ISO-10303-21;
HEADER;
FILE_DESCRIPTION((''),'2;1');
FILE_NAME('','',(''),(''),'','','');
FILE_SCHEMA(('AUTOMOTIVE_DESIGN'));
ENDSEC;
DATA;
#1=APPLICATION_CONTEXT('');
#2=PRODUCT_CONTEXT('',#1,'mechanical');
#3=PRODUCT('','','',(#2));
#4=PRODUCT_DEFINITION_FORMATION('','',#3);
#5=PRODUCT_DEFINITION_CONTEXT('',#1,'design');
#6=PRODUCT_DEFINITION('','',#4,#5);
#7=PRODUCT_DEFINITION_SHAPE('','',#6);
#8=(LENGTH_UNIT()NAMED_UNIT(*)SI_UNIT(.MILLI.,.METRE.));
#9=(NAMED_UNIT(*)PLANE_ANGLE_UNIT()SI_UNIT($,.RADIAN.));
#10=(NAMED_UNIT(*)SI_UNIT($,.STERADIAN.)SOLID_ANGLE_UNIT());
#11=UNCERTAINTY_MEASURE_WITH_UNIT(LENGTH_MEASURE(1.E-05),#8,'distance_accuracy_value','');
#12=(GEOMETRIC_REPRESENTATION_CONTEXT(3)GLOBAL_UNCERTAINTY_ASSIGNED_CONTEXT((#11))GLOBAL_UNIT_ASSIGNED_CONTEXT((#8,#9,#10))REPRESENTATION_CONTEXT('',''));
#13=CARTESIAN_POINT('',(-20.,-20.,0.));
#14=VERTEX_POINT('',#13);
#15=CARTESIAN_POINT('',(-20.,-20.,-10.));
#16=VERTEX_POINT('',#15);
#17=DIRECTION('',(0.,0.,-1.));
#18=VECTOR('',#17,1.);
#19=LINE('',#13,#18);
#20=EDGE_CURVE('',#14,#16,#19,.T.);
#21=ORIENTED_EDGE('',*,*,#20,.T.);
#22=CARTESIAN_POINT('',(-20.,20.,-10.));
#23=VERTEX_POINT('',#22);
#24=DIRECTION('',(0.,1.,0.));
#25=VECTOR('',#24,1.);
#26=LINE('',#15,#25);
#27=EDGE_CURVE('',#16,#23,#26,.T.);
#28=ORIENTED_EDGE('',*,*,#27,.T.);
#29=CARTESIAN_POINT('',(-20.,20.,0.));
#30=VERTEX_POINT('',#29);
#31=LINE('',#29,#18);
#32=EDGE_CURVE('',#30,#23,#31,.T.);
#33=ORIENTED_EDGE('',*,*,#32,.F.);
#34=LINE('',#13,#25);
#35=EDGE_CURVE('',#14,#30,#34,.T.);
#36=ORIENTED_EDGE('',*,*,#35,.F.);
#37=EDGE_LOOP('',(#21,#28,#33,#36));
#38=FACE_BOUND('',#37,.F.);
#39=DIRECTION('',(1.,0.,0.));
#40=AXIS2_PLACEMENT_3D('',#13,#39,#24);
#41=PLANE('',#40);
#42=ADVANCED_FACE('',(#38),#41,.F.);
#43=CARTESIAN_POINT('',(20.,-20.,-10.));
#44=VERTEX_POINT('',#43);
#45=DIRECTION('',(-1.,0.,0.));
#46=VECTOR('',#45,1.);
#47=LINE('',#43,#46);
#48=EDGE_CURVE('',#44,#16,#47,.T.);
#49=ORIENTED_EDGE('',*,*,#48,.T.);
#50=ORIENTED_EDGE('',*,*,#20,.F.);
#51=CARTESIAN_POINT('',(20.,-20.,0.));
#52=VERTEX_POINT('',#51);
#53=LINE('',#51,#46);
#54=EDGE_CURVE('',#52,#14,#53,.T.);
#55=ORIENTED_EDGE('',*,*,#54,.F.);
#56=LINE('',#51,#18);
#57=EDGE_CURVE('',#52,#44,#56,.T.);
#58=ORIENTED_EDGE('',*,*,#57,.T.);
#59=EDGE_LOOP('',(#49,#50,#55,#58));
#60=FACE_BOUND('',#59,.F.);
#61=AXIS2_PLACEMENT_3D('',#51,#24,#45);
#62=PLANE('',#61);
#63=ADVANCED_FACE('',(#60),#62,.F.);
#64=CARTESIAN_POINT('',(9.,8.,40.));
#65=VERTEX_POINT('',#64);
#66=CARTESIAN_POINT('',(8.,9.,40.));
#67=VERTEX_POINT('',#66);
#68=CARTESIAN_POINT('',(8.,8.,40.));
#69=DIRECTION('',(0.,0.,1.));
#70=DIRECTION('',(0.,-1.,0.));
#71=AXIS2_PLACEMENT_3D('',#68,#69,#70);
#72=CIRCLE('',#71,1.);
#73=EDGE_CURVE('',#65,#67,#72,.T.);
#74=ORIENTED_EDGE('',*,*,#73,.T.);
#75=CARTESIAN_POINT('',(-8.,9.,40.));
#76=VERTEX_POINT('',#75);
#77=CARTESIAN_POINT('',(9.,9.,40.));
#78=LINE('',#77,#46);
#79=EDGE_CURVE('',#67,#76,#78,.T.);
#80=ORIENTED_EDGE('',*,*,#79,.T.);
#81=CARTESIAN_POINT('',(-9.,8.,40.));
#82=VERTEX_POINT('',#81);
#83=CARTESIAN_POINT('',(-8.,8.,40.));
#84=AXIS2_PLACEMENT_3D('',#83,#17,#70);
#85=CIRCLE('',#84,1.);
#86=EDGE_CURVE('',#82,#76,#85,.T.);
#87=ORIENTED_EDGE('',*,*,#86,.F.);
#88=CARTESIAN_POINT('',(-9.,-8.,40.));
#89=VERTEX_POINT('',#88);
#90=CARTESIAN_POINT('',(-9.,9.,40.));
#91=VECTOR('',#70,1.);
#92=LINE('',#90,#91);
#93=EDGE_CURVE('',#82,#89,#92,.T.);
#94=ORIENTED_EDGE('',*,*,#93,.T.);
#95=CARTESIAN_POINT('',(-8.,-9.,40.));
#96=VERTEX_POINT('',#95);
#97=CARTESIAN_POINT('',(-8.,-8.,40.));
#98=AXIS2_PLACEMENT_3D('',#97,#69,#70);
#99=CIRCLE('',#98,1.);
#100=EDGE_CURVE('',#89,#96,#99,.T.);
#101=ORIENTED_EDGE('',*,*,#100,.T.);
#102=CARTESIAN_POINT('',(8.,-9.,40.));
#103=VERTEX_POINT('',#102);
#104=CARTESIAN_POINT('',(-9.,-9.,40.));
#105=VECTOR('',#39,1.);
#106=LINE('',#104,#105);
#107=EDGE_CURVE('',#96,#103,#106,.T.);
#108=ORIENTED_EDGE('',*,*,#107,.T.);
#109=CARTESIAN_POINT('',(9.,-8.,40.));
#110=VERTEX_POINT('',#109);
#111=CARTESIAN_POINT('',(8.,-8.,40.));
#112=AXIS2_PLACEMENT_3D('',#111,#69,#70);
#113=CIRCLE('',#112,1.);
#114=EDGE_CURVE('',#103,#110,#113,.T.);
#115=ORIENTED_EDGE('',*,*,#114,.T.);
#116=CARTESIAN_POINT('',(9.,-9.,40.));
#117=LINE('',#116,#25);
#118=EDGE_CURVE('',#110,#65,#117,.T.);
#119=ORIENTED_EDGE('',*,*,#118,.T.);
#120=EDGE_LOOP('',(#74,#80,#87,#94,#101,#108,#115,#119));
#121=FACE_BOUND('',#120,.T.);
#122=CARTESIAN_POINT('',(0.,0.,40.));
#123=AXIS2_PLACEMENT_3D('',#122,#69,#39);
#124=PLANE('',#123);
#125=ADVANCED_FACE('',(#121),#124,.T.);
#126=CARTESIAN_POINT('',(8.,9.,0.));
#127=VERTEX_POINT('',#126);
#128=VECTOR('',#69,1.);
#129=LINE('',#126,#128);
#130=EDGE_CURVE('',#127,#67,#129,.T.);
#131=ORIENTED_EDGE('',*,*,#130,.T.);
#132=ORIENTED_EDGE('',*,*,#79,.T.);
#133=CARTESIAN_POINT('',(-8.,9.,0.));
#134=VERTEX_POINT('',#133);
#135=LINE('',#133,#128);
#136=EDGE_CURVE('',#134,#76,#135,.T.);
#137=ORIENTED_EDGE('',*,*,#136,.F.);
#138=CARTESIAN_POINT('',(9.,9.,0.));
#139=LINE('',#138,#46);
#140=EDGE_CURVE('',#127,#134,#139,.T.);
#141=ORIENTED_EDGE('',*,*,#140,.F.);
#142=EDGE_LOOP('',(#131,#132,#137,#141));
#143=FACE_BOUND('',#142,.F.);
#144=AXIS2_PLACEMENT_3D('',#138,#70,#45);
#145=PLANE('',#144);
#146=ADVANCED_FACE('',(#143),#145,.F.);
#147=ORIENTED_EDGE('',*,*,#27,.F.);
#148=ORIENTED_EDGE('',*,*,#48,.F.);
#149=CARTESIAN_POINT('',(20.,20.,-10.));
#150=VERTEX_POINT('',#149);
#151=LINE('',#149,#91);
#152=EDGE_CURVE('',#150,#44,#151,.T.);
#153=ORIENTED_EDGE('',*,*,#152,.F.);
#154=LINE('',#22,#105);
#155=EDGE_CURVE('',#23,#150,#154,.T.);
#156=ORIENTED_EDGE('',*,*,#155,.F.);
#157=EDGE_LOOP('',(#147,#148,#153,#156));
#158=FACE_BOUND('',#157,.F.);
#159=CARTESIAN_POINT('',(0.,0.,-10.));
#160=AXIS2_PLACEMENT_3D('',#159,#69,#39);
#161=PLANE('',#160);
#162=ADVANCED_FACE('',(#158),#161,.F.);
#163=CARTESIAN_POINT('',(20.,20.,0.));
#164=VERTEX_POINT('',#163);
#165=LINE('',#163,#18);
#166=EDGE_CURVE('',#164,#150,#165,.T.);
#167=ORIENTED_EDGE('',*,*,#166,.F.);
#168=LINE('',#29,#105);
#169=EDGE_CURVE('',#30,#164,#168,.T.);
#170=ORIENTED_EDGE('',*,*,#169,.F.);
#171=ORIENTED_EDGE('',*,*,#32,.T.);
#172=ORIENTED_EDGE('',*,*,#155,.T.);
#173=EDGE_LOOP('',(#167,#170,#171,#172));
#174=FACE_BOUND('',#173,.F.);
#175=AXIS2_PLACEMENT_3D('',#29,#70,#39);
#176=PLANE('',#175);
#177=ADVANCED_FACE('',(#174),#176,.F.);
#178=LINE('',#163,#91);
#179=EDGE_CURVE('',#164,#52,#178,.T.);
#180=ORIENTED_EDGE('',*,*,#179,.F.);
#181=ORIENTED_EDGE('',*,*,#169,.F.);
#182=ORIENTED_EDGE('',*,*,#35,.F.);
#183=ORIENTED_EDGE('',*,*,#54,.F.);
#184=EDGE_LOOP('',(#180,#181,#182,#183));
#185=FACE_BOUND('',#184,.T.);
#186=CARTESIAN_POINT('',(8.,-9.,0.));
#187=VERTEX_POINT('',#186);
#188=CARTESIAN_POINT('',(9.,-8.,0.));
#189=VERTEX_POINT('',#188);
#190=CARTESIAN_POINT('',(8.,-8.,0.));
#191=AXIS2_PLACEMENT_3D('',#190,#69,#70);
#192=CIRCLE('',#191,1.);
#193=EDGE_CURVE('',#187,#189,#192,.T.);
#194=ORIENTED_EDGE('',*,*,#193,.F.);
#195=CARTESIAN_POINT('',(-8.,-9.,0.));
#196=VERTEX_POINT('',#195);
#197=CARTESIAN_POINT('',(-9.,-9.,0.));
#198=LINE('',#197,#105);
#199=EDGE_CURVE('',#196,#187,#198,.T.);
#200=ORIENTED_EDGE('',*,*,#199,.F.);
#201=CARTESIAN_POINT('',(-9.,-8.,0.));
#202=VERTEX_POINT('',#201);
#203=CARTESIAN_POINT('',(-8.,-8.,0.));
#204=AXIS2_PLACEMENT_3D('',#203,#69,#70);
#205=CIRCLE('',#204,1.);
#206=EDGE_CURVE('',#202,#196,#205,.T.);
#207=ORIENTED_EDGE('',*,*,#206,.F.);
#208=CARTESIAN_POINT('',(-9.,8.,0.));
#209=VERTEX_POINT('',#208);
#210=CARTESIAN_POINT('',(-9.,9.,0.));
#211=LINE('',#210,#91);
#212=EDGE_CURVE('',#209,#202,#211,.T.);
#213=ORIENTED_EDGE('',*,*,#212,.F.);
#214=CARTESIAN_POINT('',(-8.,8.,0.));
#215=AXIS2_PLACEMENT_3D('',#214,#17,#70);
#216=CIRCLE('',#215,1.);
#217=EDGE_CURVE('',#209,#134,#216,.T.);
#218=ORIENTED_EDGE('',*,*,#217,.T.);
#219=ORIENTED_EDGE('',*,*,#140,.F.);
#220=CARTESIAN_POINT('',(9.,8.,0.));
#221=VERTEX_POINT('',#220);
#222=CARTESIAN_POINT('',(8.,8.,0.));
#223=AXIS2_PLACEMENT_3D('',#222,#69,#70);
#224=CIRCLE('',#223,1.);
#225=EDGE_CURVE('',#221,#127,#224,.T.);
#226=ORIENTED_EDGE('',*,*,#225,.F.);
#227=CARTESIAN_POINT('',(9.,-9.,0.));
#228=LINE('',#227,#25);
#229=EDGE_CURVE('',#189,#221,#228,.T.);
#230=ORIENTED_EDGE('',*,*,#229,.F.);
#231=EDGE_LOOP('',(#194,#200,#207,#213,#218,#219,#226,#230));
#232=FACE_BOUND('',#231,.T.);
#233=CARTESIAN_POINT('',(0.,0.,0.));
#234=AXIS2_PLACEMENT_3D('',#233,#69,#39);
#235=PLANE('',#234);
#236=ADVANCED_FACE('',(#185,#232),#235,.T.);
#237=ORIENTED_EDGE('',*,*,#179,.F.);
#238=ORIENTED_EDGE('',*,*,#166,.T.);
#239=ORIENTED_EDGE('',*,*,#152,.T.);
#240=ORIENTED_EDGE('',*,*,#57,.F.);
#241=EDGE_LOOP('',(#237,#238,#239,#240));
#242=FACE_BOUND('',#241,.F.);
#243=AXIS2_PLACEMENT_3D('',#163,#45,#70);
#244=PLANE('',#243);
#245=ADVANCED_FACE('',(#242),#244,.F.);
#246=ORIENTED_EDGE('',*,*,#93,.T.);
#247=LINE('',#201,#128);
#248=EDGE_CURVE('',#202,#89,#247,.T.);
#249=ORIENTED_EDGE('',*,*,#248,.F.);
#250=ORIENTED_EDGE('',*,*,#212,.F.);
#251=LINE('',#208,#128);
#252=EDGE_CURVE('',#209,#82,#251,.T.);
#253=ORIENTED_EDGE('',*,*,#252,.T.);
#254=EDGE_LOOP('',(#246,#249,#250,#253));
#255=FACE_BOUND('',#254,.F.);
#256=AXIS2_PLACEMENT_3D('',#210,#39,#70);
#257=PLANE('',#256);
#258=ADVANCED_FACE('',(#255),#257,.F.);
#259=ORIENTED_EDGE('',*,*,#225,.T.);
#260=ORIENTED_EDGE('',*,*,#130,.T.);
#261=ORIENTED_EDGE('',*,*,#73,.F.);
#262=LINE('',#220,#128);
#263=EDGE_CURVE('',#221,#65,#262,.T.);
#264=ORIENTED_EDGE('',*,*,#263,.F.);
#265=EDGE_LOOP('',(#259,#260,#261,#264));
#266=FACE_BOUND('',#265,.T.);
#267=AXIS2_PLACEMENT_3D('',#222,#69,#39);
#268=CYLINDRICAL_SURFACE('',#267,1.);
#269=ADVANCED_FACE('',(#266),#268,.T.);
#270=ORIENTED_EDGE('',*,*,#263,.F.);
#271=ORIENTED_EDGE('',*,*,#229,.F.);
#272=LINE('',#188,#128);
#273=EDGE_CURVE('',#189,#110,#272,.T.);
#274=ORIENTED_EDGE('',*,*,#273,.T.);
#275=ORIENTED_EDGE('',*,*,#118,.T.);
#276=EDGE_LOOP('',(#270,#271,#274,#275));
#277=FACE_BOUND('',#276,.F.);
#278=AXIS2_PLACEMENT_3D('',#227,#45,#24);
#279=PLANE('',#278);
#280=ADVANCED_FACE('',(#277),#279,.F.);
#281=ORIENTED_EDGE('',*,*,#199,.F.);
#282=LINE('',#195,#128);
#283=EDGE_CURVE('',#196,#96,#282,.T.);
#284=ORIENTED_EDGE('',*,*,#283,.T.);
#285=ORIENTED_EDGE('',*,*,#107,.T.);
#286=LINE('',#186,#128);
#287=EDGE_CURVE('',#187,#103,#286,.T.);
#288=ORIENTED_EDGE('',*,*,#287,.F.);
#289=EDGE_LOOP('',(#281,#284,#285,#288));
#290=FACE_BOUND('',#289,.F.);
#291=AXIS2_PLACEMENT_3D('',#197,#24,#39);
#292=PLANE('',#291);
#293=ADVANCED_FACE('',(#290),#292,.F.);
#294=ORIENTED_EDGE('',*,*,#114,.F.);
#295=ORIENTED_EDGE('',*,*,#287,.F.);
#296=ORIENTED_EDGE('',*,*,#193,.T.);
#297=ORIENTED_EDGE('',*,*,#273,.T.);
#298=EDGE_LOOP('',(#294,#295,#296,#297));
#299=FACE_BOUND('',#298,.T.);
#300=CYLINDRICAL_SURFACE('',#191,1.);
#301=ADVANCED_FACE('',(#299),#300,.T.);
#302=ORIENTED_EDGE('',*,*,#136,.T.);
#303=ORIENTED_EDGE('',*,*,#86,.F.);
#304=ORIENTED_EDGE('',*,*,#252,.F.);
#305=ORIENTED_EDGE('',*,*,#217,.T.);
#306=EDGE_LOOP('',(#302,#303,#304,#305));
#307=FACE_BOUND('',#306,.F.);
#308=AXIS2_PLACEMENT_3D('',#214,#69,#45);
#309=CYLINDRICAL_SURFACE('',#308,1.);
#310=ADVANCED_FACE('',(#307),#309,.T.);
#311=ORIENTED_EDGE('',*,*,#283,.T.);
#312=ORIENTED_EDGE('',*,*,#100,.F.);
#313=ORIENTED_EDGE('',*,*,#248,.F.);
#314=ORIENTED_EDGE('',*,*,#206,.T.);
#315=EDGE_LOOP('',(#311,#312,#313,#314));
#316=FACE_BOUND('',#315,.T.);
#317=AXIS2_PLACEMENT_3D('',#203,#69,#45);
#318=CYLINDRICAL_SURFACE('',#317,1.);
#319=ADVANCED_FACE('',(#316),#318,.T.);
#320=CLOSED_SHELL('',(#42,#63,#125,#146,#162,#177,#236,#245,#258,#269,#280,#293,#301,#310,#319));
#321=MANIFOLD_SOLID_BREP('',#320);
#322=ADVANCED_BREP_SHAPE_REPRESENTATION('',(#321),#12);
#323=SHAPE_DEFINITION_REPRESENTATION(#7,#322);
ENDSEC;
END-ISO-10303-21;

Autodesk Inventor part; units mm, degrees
ref_plane "YZ Plane" through (0, 0, 0) normal (1, 0, 0) x (0, 1, 0)
ref_plane "XZ Plane" through (0, 0, 0) normal (0, 1, 0) x (-1, 0, 0)
ref_plane "XY Plane" through (0, 0, 0) normal (0, 0, 1) x (1, 0, 0)
sketch "Náčrt1" plane through (0, 0, 0) normal (0, 0, 1) x (1, 0, 0)
  line L0 (-9, -9) -> (9, -9)
  line L1 (9, -9) -> (9, 9)
  line L2 (9, 9) -> (-9, 9)
  line L3 (-9, 9) -> (-9, -9)
  line L4 (-9, -9) -> (9, 9) construction
  line L5 (9, -9) -> (-9, 9) construction
  line L6 (20, -20) -> (-20, -20)
  line L7 (-20, -20) -> (-20, 20)
  line L8 (-20, 20) -> (20, 20)
  line L9 (20, 20) -> (20, -20)
  line L10 (20, -20) -> (-20, 20) construction
  line L11 (-20, -20) -> (20, 20) construction
  point P0 (0, 0)
  dimension "d0" = 18
  dimension "d1" = 18
  dimension "d2" = 40
  dimension "d3" = 40
extrude "Vysunutí1" add sketch "Náčrt1" along normal blind 40 contours L3 L2 L1 L0
extrude "Vysunutí2" add sketch "Náčrt1" against normal blind 10 contours L3 L2 L1 L0 | L6 L7 L8 L9
fillet "Zaoblení1" radius 1 4 edges at (9, 9, 20) (9, -9, 20) (-9, -9, 20) (-9, 9, 20)
properties part number "motor držák"
